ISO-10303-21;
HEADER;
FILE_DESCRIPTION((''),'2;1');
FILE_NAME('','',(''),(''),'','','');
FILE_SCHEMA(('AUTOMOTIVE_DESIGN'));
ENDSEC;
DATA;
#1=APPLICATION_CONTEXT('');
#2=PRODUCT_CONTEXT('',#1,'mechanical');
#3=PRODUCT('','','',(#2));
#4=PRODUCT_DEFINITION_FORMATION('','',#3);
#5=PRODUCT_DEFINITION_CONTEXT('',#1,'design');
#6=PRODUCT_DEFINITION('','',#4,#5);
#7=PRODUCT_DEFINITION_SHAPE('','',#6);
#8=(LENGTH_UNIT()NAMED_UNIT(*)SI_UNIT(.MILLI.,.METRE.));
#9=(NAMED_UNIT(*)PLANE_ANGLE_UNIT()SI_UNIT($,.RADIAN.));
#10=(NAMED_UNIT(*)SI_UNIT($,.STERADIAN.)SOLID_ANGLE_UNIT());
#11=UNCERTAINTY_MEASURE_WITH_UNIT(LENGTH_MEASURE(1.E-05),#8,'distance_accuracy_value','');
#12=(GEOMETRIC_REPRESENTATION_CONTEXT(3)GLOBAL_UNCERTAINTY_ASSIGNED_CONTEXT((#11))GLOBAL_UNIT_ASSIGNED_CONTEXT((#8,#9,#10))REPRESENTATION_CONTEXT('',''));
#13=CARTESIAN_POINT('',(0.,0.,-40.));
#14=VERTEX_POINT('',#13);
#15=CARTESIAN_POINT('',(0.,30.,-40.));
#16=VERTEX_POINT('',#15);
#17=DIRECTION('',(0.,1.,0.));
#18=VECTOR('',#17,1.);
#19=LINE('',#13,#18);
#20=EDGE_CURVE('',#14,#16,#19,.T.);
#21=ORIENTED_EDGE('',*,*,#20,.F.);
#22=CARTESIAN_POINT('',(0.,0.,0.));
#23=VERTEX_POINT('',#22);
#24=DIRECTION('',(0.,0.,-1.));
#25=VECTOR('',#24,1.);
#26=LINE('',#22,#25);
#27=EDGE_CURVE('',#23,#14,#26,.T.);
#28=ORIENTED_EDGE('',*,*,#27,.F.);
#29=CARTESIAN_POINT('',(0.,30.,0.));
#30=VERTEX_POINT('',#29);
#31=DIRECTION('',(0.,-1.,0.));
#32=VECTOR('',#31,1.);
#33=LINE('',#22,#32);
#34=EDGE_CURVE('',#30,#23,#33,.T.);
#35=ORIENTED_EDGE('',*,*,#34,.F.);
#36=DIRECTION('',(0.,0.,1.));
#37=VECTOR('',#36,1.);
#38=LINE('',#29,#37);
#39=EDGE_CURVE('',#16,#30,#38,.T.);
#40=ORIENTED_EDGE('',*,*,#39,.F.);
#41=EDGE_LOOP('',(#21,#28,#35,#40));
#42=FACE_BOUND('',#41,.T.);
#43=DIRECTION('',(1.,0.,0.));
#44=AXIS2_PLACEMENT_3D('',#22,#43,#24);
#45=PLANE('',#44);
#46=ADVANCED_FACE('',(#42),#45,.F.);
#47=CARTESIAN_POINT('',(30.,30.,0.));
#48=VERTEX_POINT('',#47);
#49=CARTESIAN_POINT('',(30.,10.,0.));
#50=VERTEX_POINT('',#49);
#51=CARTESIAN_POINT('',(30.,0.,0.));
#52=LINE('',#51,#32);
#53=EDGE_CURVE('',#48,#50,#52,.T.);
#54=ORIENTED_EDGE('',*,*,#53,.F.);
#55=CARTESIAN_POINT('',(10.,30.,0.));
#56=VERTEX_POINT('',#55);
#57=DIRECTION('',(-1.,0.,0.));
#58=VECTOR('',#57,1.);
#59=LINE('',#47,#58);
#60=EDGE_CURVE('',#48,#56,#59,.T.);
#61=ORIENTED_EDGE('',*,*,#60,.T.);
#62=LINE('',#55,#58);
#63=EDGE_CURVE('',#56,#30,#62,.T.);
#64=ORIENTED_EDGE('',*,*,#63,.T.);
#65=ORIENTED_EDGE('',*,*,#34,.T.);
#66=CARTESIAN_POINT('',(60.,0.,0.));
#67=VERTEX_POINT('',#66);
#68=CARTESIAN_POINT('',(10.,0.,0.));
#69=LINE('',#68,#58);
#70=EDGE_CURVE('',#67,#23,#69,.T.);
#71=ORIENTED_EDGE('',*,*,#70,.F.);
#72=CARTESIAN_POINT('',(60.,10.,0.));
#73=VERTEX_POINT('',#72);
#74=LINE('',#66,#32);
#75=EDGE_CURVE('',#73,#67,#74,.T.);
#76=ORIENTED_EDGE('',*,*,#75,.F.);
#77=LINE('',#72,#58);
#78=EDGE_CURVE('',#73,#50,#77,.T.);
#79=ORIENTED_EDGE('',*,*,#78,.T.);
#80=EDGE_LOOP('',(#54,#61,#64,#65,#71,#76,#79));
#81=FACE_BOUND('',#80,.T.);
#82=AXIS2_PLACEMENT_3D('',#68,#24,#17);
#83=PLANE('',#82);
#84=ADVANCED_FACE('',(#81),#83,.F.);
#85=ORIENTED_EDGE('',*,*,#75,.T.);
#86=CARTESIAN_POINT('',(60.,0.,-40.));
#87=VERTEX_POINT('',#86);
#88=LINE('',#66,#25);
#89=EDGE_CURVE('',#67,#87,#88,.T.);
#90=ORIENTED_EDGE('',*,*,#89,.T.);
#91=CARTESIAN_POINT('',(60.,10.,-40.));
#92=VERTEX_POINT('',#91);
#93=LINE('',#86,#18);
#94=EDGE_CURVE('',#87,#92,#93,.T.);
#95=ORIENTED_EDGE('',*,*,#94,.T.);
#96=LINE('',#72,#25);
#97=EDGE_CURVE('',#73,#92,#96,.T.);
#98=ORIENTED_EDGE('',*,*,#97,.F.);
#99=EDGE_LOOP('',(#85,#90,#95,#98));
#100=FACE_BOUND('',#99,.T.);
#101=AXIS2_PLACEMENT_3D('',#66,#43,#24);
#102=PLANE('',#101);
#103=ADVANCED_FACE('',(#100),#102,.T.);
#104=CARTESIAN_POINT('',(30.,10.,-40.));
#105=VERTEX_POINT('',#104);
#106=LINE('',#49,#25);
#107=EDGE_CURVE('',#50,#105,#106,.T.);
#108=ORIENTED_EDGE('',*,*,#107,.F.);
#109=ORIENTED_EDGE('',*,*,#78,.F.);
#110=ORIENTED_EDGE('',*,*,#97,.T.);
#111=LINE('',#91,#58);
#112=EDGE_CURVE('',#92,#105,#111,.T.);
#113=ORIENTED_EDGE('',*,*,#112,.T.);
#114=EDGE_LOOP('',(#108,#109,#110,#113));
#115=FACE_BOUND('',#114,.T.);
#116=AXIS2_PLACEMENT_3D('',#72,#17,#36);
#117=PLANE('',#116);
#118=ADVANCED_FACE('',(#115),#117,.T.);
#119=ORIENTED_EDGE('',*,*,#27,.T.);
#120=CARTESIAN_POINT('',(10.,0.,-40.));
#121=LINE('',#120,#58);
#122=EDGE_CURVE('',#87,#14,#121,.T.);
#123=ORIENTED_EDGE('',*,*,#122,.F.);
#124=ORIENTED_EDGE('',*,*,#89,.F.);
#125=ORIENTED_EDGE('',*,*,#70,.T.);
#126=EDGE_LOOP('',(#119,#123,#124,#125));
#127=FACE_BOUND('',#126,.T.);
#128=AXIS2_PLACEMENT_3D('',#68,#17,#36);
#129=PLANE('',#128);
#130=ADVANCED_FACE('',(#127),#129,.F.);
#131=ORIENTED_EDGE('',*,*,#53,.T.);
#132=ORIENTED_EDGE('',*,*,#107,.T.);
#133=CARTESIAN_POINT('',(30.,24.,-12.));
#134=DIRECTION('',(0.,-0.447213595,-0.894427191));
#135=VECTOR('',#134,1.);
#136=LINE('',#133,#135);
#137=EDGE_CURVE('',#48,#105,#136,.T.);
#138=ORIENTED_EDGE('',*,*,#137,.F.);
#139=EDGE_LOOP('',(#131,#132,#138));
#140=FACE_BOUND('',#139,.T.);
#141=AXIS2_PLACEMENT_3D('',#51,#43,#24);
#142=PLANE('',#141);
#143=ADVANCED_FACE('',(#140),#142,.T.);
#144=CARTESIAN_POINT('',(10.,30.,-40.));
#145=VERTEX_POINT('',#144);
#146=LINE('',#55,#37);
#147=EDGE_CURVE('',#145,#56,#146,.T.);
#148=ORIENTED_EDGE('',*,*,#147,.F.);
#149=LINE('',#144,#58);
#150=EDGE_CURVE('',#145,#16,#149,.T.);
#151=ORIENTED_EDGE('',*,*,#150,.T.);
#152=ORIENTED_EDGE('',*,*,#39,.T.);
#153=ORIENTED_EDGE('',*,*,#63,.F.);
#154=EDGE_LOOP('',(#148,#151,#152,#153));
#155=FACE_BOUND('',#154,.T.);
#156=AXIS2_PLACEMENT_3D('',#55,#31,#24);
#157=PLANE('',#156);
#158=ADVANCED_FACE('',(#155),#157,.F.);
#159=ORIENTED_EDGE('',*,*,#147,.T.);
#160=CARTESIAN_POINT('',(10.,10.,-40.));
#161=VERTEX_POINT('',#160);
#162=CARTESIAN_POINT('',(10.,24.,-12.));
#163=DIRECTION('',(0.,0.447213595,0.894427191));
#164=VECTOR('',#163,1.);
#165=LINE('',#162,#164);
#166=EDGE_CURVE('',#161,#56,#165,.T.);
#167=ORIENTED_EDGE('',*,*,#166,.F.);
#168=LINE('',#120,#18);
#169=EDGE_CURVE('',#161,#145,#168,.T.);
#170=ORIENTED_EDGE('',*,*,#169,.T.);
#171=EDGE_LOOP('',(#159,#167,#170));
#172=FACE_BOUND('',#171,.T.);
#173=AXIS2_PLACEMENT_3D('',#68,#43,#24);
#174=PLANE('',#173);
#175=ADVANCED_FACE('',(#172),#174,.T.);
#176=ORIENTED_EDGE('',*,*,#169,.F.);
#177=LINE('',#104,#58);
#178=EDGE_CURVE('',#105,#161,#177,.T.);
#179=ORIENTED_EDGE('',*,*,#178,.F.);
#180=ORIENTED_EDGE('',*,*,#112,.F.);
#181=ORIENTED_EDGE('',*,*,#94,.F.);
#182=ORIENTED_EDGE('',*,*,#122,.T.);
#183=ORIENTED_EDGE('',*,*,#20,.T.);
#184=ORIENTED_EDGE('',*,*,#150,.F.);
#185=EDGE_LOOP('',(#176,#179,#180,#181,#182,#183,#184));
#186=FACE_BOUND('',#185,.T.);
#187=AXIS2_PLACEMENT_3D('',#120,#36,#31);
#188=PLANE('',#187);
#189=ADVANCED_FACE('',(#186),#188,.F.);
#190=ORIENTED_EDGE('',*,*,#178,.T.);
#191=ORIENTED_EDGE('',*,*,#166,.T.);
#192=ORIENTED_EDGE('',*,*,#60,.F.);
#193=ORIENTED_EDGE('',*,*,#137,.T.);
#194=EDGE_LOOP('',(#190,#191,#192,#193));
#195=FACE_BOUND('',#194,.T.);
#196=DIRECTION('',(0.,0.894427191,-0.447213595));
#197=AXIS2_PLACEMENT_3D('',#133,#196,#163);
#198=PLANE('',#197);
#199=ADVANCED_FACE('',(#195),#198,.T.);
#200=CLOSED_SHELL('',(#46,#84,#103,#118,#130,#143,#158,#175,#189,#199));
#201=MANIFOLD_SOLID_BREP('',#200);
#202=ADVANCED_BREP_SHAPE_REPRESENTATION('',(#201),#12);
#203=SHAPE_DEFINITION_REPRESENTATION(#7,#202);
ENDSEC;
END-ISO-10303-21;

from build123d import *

# Parameters (mm, degrees)
SKETCH1_W           = 40
SKETCH1_H           = 30
BOSS_EXTRUDE2_DEPTH = 10
SKETCH1_4_W         = 40
SKETCH1_4_H         = 10
BOSS_EXTRUDE3_DEPTH = 60
BOSS_EXTRUDE4_DEPTH = 30


with BuildPart() as part:
    # Sketch1 → Boss-Extrude2 (new body)
    with BuildSketch(Plane(origin=(0, 0, 0), x_dir=(0, 0, -1), z_dir=(1, 0, 0))):
        with Locations((20, 15)):
            Rectangle(SKETCH1_W, SKETCH1_H)
    extrude(amount=BOSS_EXTRUDE2_DEPTH)

    # Sketch1<4> → Boss-Extrude3 (add)
    with BuildSketch(Plane(origin=(0, 0, 0), x_dir=(0, 0, -1), z_dir=(1, 0, 0))):
        with Locations((20, 5)):
            Rectangle(SKETCH1_4_W, SKETCH1_4_H)
    extrude(amount=BOSS_EXTRUDE3_DEPTH)

    # Sketch1<6> → Boss-Extrude4 (add)
    with BuildSketch(Plane(origin=(0, 0, 0), x_dir=(0, 0, -1), z_dir=(1, 0, 0))):
        Polygon((0, 30), (0, 10), (40, 10), align=None)
    extrude(amount=BOSS_EXTRUDE4_DEPTH)


solid = part.part
